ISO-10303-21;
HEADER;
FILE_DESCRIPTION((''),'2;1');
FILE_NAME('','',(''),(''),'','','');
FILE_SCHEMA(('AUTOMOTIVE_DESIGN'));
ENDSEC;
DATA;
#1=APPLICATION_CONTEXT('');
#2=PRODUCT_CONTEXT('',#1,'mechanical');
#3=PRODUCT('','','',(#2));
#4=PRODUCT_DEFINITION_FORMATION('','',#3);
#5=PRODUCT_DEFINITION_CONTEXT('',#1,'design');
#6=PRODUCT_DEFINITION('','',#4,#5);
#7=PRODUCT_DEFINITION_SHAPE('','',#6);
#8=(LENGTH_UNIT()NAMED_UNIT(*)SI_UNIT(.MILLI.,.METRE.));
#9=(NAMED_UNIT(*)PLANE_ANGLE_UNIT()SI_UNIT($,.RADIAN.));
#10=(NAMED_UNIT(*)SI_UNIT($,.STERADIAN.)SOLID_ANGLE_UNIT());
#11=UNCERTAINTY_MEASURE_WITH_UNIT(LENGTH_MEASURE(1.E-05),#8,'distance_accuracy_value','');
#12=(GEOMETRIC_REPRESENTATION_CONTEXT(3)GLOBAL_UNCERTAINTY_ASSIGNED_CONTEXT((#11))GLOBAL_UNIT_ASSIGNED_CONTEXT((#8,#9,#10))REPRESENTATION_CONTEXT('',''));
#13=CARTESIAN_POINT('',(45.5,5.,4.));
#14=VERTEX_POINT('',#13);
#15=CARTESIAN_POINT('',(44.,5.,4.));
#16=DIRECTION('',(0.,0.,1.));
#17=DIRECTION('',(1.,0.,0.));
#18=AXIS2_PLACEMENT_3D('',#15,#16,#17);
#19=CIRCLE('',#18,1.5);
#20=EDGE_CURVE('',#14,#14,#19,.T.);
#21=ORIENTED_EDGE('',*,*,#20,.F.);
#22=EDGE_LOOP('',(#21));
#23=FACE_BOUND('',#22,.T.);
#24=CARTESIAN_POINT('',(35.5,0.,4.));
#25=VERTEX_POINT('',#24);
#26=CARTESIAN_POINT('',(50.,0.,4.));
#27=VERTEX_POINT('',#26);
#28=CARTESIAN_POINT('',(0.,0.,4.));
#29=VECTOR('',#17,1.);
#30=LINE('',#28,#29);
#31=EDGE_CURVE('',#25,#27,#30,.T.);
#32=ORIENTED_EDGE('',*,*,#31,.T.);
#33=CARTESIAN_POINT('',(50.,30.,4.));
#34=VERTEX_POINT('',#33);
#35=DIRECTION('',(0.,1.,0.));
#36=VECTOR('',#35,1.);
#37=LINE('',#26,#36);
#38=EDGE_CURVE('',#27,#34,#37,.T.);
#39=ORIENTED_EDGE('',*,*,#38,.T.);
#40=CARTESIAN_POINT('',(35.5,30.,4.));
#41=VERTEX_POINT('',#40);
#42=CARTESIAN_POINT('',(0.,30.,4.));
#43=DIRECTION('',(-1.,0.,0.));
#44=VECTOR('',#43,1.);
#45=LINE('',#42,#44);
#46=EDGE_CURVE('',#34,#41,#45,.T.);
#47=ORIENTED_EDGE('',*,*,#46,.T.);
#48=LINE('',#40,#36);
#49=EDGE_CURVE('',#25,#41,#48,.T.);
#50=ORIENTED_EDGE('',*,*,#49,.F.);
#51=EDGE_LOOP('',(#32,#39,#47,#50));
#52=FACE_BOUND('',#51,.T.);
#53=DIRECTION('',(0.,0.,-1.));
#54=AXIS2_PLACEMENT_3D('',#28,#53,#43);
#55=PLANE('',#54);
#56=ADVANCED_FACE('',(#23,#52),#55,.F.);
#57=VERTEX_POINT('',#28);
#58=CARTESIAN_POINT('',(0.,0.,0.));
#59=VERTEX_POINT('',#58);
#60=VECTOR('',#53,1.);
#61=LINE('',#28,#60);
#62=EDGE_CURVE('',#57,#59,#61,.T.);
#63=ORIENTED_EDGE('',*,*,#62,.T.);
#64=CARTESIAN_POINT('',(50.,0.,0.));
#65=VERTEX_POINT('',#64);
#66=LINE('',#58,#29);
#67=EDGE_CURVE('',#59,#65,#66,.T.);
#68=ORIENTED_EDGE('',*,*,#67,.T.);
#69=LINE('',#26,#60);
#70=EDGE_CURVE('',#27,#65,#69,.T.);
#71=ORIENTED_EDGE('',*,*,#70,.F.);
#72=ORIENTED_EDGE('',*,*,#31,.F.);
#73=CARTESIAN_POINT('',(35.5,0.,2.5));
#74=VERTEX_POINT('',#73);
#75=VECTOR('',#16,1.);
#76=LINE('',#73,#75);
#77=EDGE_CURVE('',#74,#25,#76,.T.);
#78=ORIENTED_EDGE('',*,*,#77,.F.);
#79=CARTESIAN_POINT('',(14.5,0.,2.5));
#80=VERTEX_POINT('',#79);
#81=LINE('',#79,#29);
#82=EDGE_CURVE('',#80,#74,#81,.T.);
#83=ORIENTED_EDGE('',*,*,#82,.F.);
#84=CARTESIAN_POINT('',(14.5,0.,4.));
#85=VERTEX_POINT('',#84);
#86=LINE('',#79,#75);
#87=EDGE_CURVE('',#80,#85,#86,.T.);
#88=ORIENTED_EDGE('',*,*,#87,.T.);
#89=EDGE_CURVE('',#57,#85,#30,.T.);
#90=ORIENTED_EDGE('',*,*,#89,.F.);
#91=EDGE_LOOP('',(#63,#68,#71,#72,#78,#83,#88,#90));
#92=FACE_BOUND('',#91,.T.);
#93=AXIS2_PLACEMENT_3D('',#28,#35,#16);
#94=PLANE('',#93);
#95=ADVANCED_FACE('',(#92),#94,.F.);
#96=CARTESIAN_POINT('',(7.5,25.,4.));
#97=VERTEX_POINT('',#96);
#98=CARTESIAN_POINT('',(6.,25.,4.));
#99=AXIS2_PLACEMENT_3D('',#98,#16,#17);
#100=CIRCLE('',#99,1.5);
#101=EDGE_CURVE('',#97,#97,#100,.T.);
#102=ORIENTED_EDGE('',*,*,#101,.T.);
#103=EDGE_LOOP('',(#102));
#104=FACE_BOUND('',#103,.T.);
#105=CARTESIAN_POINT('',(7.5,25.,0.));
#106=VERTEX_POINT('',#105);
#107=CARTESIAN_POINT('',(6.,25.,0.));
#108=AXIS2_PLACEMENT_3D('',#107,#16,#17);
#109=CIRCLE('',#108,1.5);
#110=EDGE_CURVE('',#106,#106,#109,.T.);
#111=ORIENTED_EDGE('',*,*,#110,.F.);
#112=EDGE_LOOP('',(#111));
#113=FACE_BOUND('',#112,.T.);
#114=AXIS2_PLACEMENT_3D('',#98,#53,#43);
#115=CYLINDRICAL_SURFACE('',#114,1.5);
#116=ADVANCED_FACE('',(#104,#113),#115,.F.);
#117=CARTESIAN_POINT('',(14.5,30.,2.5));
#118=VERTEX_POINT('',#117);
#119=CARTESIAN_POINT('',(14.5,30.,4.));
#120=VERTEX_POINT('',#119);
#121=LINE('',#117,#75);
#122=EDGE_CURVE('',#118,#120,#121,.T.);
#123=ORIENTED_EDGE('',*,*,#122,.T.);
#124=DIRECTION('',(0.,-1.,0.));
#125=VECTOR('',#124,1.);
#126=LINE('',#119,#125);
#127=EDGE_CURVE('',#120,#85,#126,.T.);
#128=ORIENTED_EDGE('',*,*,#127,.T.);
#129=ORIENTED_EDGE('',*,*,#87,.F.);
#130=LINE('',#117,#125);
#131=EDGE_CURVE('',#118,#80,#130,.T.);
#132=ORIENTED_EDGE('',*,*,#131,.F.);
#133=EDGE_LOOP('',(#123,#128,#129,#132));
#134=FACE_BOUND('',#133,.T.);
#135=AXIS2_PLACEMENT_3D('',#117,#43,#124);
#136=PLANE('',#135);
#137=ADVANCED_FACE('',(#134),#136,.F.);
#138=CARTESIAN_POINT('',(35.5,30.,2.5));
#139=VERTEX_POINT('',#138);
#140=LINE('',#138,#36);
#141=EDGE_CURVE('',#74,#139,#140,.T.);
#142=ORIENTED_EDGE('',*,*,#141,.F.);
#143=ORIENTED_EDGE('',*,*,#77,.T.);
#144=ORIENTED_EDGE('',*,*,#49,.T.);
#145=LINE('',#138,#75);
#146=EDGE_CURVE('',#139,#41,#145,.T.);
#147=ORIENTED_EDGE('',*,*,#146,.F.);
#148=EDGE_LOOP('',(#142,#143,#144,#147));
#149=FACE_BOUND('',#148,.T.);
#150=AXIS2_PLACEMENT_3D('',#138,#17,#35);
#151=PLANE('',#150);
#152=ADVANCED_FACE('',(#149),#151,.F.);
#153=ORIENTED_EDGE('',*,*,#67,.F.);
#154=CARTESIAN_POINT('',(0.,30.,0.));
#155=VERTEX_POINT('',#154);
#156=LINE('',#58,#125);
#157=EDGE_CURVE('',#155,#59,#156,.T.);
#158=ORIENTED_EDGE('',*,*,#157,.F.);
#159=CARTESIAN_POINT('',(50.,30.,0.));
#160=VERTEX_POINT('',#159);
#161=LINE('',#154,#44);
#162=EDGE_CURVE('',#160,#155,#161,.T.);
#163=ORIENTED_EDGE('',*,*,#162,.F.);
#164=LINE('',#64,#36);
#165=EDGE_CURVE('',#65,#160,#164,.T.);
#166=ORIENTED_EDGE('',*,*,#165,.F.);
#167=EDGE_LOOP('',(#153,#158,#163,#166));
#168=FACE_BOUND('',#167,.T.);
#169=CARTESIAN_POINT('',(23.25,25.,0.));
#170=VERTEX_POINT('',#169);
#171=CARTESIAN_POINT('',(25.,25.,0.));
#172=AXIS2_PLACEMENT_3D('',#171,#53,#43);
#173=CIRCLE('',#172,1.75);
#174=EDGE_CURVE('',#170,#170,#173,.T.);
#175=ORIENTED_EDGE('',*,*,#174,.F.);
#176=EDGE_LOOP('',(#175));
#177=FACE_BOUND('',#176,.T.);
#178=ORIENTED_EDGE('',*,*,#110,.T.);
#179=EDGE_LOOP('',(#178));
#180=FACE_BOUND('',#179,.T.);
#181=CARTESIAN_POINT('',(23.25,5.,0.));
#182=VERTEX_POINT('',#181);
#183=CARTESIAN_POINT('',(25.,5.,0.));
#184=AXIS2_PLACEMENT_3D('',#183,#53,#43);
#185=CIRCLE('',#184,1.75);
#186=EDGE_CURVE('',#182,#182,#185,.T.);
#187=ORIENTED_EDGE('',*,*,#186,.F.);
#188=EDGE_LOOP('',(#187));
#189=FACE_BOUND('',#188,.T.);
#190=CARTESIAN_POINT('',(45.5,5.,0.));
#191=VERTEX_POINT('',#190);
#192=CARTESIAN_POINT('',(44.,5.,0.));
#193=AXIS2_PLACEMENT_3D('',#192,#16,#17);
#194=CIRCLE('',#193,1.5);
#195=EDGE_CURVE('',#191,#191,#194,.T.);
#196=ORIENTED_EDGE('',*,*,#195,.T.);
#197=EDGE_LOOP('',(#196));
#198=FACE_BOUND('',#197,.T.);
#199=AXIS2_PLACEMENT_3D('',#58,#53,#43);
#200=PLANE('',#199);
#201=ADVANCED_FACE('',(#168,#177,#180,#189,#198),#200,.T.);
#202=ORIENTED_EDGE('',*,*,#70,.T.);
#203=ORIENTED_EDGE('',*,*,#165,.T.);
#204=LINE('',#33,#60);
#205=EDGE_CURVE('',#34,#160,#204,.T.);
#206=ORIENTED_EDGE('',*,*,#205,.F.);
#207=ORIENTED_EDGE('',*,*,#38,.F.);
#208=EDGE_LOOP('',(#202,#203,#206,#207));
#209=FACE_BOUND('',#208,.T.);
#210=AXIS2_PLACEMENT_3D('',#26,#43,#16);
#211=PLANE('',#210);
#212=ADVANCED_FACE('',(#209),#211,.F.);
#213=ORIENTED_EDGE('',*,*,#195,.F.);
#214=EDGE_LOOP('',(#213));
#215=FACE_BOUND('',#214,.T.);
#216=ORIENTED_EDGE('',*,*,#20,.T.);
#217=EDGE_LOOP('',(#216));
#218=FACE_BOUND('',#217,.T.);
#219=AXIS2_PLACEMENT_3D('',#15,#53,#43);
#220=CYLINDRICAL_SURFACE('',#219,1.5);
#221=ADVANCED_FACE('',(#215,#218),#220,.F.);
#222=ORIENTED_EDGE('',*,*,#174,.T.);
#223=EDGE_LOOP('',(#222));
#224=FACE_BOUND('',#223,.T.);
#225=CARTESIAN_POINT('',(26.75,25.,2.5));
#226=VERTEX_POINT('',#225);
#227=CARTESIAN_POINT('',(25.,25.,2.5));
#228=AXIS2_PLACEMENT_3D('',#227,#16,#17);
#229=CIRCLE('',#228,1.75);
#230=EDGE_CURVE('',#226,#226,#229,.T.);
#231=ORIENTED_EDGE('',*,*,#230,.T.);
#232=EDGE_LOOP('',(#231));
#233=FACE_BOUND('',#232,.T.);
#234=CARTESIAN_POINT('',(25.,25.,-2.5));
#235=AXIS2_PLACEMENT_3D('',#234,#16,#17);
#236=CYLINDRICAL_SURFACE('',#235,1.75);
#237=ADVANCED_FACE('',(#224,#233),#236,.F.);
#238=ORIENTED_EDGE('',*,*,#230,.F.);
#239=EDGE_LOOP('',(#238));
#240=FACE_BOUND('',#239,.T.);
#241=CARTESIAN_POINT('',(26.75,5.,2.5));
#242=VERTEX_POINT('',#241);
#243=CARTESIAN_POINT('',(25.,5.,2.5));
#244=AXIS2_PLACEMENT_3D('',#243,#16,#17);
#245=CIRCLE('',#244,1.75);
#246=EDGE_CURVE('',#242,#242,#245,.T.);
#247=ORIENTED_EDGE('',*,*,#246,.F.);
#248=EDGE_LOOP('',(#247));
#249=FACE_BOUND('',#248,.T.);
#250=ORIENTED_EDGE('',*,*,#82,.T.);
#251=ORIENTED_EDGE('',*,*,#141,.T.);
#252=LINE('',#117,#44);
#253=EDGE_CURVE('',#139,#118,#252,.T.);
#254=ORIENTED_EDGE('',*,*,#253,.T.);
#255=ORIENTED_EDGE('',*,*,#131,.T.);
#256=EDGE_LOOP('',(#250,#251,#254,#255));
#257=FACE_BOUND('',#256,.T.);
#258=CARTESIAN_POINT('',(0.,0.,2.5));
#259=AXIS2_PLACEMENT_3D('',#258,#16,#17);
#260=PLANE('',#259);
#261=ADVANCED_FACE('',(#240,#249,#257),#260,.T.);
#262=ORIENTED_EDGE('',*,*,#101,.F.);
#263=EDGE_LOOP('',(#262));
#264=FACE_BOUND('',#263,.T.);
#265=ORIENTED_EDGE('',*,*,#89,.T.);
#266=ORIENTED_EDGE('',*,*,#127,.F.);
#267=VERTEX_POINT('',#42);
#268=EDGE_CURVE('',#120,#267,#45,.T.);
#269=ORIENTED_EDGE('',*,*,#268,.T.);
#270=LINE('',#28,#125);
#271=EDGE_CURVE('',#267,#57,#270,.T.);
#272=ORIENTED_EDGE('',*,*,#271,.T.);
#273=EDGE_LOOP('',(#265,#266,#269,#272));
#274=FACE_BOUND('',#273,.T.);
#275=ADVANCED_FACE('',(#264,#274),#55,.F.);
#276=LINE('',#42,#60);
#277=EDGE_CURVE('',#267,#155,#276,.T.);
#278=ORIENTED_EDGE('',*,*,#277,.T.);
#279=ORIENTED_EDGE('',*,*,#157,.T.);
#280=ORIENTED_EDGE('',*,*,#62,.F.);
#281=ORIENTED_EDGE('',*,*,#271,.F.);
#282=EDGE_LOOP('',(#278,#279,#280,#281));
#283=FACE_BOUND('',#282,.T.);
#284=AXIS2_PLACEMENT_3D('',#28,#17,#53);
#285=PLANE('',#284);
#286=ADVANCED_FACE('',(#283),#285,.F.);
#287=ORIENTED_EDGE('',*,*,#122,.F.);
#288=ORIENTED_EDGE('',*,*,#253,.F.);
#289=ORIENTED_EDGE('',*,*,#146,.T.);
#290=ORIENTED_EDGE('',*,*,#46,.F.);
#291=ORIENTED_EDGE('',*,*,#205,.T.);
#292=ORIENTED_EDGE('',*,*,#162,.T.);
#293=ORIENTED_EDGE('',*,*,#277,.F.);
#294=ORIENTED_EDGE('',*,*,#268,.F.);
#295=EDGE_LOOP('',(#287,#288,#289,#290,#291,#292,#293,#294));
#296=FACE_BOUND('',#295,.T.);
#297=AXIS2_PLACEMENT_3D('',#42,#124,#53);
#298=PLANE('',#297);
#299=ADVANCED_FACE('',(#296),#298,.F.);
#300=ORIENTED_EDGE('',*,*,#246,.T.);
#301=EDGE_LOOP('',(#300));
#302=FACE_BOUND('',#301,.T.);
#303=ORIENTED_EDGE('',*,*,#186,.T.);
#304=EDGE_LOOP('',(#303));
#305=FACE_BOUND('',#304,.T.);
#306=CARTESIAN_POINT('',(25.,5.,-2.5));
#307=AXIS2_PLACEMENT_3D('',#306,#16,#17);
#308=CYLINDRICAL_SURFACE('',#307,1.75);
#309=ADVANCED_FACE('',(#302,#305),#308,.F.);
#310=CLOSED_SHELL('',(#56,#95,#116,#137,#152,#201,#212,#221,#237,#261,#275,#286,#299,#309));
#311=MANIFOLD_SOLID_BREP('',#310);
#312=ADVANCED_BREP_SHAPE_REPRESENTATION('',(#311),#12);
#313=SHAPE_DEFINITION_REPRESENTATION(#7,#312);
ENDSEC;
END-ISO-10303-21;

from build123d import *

# Parameters (mm, degrees)
SKETCH1_W           = 50
SKETCH1_H           = 30
SKETCH1_R           = 1.5
BOSS_EXTRUDE1_DEPTH = 4
SKETCH2_W           = 21
SKETCH2_H           = 30
CUT_EXTRUDE1_DEPTH  = 1.5
SKETCH3_R           = 1.75
CUT_EXTRUDE2_DEPTH  = 5


with BuildPart() as part:
    # Sketch1 → Boss-Extrude1 (new body)
    with BuildSketch(Plane.XY):
        with Locations((25, 15)):
            Rectangle(SKETCH1_W, SKETCH1_H)
        with Locations((6, 25)):
            Circle(SKETCH1_R, mode=Mode.SUBTRACT)
        with Locations((44, 5)):
            Circle(SKETCH1_R, mode=Mode.SUBTRACT)
    extrude(amount=BOSS_EXTRUDE1_DEPTH)

    # Sketch2 → Cut-Extrude1 (cut)
    with BuildSketch(Plane.XY.offset(4)):
        with Locations((25, 15)):
            Rectangle(SKETCH2_W, SKETCH2_H)
    extrude(amount=-CUT_EXTRUDE1_DEPTH, mode=Mode.SUBTRACT)

    # Sketch3 → Cut-Extrude2 (cut)
    with BuildSketch(Plane.XY.offset(2.5)):
        with Locations((25, 25)):
            Circle(SKETCH3_R)
        with Locations((25, 5)):
            Circle(SKETCH3_R)
    extrude(amount=-CUT_EXTRUDE2_DEPTH, mode=Mode.SUBTRACT)


solid = part.part
